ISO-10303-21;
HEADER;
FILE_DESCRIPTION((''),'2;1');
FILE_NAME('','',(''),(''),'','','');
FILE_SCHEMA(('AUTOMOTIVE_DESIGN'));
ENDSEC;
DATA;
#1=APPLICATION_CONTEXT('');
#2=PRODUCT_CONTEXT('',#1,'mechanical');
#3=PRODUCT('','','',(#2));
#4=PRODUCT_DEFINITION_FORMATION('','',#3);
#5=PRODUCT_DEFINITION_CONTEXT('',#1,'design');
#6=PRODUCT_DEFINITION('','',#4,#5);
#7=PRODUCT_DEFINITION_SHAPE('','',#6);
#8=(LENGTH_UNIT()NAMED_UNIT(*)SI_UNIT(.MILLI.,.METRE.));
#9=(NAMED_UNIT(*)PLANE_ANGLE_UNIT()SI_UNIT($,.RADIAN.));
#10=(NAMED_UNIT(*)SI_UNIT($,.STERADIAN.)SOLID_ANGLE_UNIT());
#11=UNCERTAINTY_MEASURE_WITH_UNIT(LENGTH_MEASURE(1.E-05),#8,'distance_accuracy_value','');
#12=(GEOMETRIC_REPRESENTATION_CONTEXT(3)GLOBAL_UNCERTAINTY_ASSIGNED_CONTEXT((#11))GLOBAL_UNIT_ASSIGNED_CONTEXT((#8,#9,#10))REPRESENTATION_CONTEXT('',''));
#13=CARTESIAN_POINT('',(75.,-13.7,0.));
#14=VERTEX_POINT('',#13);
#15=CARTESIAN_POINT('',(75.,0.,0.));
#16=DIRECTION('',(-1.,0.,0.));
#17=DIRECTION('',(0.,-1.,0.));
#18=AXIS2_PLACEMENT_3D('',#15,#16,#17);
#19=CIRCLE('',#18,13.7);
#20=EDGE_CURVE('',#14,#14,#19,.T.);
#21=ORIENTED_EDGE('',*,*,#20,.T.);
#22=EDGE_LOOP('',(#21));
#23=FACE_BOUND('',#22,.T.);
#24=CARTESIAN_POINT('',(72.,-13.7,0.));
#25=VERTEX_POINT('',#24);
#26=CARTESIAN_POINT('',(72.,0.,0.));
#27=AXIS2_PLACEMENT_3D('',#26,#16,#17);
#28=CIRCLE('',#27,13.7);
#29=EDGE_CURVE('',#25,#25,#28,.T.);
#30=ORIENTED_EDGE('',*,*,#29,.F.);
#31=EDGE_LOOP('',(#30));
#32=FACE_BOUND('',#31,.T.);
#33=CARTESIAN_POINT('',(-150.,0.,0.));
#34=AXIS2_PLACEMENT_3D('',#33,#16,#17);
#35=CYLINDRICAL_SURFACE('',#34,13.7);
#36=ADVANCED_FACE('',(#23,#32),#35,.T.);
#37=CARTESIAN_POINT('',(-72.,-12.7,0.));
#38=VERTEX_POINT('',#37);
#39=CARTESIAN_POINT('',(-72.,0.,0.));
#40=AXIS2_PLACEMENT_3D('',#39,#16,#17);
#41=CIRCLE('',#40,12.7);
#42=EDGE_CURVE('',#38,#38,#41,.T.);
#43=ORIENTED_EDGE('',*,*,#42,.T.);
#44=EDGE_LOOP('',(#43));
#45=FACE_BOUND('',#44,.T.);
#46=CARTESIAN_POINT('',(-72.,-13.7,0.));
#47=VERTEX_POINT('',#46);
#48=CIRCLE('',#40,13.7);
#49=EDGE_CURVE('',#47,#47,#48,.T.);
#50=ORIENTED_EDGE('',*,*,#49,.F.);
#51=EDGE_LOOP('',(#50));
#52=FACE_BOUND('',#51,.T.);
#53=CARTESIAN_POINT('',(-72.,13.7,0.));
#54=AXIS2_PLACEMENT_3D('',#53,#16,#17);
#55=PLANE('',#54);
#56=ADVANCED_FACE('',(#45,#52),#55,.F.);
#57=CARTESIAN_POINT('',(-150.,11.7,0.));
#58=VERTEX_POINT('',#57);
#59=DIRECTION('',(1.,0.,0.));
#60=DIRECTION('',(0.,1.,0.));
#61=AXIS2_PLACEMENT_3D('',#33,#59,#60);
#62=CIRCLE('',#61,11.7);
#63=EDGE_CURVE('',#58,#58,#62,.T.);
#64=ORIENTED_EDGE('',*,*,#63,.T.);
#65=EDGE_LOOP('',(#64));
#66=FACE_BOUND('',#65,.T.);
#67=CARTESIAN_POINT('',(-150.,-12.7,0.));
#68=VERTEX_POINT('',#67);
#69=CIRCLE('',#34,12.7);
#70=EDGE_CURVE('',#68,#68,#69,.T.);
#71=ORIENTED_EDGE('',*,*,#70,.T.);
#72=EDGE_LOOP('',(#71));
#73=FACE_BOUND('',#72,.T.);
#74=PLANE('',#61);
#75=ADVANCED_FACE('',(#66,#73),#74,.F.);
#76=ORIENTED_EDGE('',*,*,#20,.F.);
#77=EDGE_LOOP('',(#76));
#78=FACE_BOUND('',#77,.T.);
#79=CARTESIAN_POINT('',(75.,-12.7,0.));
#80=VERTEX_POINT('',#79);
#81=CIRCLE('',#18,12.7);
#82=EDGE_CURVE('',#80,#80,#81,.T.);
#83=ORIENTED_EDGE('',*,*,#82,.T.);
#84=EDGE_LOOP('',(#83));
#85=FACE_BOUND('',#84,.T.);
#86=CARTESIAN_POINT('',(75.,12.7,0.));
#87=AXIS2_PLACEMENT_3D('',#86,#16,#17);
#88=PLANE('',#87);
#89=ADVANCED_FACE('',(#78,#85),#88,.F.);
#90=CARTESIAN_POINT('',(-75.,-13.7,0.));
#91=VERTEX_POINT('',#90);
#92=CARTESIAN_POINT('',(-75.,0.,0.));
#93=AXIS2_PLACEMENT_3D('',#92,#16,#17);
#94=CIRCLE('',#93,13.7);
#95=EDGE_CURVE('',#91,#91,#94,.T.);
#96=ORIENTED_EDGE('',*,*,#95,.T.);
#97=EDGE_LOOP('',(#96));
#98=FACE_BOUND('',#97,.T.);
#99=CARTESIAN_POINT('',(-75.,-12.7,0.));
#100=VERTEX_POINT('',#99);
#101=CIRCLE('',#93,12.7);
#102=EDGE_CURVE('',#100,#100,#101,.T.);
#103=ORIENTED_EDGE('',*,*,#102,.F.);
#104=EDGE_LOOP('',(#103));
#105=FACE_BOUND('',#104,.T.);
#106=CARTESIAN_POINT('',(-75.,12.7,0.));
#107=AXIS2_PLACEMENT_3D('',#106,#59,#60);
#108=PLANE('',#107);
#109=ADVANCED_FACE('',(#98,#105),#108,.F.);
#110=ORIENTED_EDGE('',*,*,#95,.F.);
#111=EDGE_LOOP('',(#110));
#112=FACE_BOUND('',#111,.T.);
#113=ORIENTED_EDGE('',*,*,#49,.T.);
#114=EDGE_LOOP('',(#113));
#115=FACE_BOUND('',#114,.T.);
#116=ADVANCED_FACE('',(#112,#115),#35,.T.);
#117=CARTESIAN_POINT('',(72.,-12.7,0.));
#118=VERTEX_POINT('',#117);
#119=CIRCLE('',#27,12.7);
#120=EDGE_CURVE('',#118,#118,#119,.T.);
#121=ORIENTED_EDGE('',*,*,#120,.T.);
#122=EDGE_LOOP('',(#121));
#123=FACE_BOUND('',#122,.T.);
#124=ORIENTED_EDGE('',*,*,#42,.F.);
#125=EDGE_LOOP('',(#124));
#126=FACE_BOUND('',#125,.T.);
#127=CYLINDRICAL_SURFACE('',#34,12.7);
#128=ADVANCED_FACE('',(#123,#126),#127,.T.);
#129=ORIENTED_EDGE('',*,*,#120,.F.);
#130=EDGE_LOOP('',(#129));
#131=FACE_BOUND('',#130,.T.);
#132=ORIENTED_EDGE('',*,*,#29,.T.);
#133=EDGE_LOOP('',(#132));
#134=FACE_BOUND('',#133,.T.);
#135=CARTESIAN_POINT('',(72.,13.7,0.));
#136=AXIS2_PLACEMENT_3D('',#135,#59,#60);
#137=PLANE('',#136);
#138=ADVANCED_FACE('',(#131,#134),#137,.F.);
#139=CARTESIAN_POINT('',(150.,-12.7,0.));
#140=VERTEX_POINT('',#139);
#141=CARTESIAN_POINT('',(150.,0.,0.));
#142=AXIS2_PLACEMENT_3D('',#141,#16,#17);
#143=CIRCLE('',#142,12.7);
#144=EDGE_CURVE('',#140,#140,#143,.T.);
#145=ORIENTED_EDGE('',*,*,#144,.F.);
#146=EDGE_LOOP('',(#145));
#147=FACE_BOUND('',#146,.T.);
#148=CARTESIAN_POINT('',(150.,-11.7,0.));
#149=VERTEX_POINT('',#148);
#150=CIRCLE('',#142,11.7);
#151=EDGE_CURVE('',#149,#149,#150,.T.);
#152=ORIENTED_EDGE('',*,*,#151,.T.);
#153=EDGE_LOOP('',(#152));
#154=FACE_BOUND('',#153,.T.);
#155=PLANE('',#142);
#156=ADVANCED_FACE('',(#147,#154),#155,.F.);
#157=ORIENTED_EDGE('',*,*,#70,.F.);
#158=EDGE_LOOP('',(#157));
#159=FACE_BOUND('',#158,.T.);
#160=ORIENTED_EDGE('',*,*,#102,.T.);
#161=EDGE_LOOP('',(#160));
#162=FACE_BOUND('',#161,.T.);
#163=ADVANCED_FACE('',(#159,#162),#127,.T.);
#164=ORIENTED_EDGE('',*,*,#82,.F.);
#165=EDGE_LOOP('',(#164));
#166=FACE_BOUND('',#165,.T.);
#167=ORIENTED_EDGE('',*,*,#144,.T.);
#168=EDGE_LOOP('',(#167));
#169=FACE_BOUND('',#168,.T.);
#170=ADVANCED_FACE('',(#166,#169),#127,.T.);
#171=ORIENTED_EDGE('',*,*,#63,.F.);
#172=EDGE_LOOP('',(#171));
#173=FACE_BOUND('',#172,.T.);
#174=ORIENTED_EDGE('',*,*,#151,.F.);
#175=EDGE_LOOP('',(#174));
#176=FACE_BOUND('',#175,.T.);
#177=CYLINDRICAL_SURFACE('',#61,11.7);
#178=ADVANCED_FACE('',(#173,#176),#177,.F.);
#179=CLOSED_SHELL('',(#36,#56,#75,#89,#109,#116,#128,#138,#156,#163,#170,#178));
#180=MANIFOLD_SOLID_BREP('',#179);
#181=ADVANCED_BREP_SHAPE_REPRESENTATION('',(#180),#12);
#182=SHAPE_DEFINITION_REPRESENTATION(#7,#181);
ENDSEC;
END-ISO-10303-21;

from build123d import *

# Parameters (mm, degrees)
SKETCH3_R               = 11.7
CUT_EXTRUDE1_DEPTH      = 1
CUT_EXTRUDE1_DEPTH_BACK = 301


with BuildPart() as part:
    # Sketch1 → Revolve1 (revolve)
    with BuildSketch(Plane.XY):
        Polygon((-150, 0), (150, 0), (150, 12.7), (75, 12.7), (75, 13.7), (72, 13.7), (72, 12.7), (-72, 12.7), (-72, 13.7), (-75, 13.7), (-75, 12.7), (-150, 12.7), align=None)
    revolve(axis=Axis((-150, 0, 0), (1, 0, 0)))

    # Sketch3 → Cut-Extrude1 (cut, two sides)
    with BuildSketch(Plane(origin=(150, 0, 0), x_dir=(0, 0, -1), z_dir=(1, 0, 0))) as cut_extrude1_sk:
        Circle(SKETCH3_R)
    extrude(amount=CUT_EXTRUDE1_DEPTH, mode=Mode.SUBTRACT)
    extrude(cut_extrude1_sk.sketch, amount=-CUT_EXTRUDE1_DEPTH_BACK, mode=Mode.SUBTRACT)


solid = part.part
